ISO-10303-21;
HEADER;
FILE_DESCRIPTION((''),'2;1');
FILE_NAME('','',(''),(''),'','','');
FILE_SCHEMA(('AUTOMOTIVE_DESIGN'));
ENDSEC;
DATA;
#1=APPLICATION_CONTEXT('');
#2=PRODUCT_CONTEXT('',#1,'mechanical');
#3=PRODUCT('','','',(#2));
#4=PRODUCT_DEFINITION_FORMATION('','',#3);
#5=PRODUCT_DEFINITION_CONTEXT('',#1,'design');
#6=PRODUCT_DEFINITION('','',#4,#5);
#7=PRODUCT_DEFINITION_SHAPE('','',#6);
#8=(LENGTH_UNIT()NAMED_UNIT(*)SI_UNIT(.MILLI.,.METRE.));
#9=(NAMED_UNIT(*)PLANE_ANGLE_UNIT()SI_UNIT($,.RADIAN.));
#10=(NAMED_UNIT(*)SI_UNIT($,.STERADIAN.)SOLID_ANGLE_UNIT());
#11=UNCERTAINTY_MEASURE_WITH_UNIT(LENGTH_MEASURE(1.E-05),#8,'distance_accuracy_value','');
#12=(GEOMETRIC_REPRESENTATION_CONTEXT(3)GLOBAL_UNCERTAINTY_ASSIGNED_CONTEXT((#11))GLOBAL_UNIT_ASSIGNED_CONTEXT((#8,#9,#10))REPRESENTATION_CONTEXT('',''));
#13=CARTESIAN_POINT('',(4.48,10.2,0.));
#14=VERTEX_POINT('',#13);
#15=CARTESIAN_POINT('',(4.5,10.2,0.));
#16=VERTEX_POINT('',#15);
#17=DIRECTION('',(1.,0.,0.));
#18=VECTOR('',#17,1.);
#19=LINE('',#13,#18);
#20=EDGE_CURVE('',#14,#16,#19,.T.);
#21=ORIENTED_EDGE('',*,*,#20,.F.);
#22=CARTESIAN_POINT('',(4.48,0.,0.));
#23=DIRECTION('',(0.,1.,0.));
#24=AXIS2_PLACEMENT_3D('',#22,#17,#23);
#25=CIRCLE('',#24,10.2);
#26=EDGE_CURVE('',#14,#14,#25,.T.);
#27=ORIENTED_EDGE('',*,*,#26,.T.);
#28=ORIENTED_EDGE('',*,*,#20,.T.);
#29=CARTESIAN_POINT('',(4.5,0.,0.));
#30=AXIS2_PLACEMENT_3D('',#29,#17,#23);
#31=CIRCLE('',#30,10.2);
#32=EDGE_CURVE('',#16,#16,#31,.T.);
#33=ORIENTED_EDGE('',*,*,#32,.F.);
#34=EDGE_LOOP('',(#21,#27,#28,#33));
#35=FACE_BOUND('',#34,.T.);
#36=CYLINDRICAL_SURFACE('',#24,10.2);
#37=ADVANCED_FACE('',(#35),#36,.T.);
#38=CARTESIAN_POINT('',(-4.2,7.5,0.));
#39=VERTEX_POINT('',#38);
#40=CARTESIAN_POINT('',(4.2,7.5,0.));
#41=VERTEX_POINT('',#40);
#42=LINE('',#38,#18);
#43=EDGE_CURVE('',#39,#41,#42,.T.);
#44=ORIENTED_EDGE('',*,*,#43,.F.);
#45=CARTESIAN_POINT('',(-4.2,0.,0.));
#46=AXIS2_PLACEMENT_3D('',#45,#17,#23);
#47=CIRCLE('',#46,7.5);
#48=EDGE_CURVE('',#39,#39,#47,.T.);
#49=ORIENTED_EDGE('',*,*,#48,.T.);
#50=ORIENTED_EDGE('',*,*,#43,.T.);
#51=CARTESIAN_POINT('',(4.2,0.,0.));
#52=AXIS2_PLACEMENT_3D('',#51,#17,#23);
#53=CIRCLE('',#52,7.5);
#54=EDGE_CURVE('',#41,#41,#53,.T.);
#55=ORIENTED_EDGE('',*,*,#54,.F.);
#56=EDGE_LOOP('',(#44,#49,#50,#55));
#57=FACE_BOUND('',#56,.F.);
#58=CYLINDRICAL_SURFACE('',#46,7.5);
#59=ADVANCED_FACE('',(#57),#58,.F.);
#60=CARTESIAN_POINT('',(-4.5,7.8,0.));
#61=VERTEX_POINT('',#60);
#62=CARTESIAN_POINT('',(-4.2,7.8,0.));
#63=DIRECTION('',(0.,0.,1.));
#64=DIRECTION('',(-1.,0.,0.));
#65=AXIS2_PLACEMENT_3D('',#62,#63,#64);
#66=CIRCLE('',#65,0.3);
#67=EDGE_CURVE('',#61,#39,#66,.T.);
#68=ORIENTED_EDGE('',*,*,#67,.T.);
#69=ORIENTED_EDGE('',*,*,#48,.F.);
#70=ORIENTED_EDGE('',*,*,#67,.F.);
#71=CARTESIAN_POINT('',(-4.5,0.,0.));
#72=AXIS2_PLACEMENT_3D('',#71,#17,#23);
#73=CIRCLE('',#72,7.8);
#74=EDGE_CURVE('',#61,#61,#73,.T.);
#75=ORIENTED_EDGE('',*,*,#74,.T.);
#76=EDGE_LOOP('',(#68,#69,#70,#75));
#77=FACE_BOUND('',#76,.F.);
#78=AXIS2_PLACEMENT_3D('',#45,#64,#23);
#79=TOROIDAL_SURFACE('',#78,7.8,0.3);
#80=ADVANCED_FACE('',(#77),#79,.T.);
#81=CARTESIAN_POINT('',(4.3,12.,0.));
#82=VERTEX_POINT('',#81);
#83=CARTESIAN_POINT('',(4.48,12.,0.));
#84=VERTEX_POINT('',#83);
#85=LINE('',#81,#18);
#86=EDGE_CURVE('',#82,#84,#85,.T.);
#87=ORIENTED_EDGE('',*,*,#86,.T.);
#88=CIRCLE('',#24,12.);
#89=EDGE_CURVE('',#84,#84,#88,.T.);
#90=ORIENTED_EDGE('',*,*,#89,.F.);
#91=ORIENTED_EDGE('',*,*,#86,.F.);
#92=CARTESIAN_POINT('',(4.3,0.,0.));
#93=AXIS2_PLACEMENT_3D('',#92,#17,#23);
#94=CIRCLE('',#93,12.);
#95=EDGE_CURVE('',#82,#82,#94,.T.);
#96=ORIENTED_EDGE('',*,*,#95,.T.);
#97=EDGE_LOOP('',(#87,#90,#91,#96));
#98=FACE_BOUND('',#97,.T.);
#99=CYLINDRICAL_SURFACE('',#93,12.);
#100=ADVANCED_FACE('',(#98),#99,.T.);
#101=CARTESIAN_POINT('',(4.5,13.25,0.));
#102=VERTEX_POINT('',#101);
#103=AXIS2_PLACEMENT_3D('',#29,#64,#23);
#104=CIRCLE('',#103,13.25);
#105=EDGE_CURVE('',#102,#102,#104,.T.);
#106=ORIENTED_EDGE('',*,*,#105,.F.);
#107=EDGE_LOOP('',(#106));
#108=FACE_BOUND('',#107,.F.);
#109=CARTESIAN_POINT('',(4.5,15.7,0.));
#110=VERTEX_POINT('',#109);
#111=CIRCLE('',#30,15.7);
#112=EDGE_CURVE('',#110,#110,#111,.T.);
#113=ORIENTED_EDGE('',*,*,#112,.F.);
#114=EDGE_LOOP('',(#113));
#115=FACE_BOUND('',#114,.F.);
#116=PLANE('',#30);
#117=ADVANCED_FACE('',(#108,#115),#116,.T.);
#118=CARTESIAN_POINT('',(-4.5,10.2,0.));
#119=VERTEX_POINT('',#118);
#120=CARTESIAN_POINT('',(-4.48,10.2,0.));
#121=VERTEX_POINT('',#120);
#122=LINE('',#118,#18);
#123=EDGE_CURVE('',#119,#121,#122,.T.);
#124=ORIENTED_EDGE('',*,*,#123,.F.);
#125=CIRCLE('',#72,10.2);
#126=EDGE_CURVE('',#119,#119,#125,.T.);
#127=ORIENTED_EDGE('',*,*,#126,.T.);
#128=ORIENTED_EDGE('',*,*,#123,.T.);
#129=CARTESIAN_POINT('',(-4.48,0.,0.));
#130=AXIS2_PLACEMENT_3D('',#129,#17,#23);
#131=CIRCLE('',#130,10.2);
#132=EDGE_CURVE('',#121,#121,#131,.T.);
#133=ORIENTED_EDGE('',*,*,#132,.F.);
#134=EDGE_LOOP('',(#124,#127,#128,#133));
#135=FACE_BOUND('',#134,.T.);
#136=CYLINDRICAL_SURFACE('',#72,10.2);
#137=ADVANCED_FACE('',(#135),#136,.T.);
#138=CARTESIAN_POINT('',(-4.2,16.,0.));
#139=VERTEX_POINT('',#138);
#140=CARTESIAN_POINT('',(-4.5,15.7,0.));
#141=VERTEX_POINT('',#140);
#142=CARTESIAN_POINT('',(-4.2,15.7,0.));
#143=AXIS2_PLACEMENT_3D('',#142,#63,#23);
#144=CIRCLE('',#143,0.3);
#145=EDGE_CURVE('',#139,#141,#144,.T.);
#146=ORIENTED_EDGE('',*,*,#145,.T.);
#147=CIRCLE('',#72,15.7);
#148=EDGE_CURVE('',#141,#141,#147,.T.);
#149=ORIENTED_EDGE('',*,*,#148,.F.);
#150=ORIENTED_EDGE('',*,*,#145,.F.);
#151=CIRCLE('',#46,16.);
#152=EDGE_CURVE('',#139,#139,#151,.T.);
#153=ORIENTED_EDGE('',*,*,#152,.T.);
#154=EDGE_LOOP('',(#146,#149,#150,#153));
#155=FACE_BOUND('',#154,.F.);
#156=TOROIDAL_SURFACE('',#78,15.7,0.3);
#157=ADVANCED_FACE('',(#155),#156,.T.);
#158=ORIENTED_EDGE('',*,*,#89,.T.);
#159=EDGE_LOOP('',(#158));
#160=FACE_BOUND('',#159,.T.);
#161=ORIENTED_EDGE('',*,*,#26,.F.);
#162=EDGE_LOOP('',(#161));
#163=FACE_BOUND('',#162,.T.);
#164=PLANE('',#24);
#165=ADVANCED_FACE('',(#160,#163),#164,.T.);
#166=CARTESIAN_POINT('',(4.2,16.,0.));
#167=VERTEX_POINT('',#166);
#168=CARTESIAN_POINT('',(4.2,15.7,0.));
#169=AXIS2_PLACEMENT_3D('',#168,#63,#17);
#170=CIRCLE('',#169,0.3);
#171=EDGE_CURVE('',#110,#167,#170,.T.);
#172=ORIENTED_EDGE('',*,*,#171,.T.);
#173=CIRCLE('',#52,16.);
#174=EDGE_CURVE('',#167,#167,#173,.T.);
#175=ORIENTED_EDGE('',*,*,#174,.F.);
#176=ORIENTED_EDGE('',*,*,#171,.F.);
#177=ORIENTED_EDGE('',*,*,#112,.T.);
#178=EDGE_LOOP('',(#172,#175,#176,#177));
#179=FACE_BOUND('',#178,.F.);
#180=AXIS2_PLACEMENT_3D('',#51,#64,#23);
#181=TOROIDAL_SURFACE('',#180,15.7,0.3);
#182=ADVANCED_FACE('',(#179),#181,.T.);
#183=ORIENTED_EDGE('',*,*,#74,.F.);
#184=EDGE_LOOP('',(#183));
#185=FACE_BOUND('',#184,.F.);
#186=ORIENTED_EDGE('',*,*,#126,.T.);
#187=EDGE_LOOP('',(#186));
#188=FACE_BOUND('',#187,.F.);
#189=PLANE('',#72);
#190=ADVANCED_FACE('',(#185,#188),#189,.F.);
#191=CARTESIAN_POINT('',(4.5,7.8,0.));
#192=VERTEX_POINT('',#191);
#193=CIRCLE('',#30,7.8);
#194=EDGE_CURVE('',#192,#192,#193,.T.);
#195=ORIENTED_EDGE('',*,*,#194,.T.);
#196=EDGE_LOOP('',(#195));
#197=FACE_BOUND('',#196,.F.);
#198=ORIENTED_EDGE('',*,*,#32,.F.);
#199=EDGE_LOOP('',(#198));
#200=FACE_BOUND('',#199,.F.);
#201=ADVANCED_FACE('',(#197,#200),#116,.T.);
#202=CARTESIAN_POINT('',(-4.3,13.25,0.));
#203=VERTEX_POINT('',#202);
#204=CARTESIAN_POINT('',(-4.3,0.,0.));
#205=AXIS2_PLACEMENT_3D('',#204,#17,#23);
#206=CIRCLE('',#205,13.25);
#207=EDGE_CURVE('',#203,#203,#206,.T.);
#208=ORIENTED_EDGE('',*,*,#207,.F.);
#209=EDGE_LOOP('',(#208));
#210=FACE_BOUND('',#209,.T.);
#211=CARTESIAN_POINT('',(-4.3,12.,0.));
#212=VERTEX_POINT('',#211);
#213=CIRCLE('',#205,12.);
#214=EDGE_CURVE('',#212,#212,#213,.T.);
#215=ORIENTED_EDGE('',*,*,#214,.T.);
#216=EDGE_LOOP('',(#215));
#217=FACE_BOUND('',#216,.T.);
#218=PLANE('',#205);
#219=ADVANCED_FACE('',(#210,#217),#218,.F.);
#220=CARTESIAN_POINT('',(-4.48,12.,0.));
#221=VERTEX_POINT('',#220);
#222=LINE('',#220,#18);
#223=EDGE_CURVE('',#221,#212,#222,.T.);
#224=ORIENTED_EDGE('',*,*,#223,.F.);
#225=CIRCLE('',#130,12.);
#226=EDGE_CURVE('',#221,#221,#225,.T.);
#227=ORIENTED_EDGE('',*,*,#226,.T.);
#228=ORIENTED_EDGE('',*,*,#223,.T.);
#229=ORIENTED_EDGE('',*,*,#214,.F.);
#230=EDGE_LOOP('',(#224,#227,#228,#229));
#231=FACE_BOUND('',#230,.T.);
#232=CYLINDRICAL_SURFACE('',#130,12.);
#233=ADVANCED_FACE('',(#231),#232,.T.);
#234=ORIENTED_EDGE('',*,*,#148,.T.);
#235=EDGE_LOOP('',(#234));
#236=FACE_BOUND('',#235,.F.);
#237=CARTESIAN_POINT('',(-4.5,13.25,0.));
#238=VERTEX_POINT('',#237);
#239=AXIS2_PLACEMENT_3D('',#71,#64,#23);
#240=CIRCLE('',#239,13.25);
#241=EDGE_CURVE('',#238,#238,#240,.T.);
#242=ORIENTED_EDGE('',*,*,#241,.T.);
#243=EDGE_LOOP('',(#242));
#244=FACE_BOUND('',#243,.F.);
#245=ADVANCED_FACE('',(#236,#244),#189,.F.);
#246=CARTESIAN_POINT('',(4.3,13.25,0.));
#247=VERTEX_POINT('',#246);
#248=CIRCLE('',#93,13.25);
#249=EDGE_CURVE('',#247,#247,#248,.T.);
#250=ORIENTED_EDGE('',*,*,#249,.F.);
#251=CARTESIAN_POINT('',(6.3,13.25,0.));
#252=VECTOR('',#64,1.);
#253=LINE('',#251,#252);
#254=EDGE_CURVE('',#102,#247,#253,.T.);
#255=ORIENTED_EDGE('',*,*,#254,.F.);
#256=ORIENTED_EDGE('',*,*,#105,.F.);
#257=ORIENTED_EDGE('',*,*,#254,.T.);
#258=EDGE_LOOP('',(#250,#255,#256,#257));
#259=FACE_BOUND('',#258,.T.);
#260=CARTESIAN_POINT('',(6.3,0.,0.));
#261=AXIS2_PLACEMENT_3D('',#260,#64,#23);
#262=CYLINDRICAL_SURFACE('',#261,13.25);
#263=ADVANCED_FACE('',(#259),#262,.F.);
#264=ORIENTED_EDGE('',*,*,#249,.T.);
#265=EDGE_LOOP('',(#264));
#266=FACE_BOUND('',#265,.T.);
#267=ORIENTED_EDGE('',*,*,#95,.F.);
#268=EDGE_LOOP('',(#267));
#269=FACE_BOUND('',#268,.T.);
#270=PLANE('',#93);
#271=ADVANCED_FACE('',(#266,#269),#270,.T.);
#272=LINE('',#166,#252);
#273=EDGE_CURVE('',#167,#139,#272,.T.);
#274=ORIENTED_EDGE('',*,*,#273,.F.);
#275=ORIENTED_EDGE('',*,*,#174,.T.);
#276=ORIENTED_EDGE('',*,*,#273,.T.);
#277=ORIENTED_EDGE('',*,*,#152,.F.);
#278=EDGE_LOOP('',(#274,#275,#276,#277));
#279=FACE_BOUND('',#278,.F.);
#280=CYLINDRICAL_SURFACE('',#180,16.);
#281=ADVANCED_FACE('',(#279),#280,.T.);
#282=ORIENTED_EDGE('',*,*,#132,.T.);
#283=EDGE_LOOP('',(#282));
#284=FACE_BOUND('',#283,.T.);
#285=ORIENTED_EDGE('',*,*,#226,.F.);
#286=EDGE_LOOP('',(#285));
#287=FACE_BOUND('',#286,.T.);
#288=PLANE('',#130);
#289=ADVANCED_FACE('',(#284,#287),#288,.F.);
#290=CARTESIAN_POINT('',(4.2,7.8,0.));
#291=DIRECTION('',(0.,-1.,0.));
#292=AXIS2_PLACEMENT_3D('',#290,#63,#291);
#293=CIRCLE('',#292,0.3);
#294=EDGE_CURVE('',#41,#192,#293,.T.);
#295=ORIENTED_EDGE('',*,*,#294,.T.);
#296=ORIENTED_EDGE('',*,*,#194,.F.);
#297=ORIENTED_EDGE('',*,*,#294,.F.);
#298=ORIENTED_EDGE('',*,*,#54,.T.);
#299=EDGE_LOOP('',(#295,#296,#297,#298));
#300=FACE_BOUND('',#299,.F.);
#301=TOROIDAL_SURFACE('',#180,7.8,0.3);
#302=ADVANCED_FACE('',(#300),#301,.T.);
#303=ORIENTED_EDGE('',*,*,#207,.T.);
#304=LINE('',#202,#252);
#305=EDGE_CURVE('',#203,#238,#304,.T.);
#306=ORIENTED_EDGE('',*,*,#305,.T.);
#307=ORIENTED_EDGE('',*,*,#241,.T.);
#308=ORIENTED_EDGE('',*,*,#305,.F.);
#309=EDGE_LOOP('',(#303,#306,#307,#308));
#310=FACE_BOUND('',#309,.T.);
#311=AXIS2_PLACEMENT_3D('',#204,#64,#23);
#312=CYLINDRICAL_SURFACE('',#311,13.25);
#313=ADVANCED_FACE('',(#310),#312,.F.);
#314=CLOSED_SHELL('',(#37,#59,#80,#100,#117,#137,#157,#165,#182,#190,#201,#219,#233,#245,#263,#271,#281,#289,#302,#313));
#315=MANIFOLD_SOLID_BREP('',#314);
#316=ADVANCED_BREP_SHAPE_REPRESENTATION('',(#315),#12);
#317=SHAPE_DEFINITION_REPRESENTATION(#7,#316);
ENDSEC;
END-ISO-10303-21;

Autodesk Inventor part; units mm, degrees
sketch "Sketch_1" plane through (0, 0, 0) normal (0, 0, 1) x (1, 0, 0)
  line L0 (50, 0) -> (-50, 0)
  arc A0 (-4.5, 7.8) -> (-4.2, 7.5) centre (-4.2, 7.8) ccw
  line L1 (-4.2, 7.5) -> (4.2, 7.5)
  arc A1 (4.2, 7.5) -> (4.5, 7.8) centre (4.2, 7.8) ccw
  line L2 (4.5, 7.8) -> (4.5, 15.7)
  arc A2 (4.5, 15.7) -> (4.2, 16) centre (4.2, 15.7) ccw
  line L3 (4.2, 16) -> (-4.2, 16)
  arc A3 (-4.2, 16) -> (-4.5, 15.7) centre (-4.2, 15.7) ccw
  line L4 (-4.5, 15.7) -> (-4.5, 7.8)
revolve "Revolution1" add sketch "Sketch_1" angle 360 about axis through (50, 0, 0) along (1, 0, 0)
sketch "Sketch_2" plane through (0, 0, 0) normal (0, 0, 1) x (1, 0, 0)
  line L0 (50, 0) -> (-50, 0)
  line L1 (-6.3, 13.25) -> (-6.3, 7.5)
  line L2 (-6.3, 7.5) -> (-4.5, 7.5)
  line L3 (-4.5, 7.5) -> (-4.5, 10.2)
  line L4 (-4.5, 10.2) -> (-4.48, 10.2)
  line L5 (-4.48, 10.2) -> (-4.48, 12)
  line L6 (-4.48, 12) -> (-4.3, 12)
  line L7 (-4.3, 12) -> (-4.3, 13.25)
  line L8 (-4.3, 13.25) -> (-6.3, 13.25)
revolve "Revolution2" cut sketch "Sketch_2" angle 360 about axis through (50, 0, 0) along (1, 0, 0)
sketch "Sketch_3" plane through (0, 0, 0) normal (0, 0, 1) x (1, 0, 0)
  line L0 (50, 0) -> (-50, 0)
  line L1 (4.3, 12) -> (4.48, 12)
  line L2 (4.48, 12) -> (4.48, 10.2)
  line L3 (4.48, 10.2) -> (4.5, 10.2)
  line L4 (4.5, 10.2) -> (4.5, 7.5)
  line L5 (4.5, 7.5) -> (6.3, 7.5)
  line L6 (6.3, 7.5) -> (6.3, 13.25)
  line L7 (6.3, 13.25) -> (4.3, 13.25)
  line L8 (4.3, 13.25) -> (4.3, 12)
revolve "Revolution3" cut sketch "Sketch_3" angle 360 about axis through (50, 0, 0) along (1, 0, 0)
ref_plane "bf_2_XY" through (0, 0, 0) normal (1, 0, 0) x (0, 0, -1)
ref_plane "bf_2_YZ" through (0, 0, 0) normal (0, 0, -1) x (0, 1, 0)
ref_plane "bf_2_ZX" through (0, 0, 0) normal (0, 1, 0) x (1, 0, 0)
properties part number "BF 15 Part2"
